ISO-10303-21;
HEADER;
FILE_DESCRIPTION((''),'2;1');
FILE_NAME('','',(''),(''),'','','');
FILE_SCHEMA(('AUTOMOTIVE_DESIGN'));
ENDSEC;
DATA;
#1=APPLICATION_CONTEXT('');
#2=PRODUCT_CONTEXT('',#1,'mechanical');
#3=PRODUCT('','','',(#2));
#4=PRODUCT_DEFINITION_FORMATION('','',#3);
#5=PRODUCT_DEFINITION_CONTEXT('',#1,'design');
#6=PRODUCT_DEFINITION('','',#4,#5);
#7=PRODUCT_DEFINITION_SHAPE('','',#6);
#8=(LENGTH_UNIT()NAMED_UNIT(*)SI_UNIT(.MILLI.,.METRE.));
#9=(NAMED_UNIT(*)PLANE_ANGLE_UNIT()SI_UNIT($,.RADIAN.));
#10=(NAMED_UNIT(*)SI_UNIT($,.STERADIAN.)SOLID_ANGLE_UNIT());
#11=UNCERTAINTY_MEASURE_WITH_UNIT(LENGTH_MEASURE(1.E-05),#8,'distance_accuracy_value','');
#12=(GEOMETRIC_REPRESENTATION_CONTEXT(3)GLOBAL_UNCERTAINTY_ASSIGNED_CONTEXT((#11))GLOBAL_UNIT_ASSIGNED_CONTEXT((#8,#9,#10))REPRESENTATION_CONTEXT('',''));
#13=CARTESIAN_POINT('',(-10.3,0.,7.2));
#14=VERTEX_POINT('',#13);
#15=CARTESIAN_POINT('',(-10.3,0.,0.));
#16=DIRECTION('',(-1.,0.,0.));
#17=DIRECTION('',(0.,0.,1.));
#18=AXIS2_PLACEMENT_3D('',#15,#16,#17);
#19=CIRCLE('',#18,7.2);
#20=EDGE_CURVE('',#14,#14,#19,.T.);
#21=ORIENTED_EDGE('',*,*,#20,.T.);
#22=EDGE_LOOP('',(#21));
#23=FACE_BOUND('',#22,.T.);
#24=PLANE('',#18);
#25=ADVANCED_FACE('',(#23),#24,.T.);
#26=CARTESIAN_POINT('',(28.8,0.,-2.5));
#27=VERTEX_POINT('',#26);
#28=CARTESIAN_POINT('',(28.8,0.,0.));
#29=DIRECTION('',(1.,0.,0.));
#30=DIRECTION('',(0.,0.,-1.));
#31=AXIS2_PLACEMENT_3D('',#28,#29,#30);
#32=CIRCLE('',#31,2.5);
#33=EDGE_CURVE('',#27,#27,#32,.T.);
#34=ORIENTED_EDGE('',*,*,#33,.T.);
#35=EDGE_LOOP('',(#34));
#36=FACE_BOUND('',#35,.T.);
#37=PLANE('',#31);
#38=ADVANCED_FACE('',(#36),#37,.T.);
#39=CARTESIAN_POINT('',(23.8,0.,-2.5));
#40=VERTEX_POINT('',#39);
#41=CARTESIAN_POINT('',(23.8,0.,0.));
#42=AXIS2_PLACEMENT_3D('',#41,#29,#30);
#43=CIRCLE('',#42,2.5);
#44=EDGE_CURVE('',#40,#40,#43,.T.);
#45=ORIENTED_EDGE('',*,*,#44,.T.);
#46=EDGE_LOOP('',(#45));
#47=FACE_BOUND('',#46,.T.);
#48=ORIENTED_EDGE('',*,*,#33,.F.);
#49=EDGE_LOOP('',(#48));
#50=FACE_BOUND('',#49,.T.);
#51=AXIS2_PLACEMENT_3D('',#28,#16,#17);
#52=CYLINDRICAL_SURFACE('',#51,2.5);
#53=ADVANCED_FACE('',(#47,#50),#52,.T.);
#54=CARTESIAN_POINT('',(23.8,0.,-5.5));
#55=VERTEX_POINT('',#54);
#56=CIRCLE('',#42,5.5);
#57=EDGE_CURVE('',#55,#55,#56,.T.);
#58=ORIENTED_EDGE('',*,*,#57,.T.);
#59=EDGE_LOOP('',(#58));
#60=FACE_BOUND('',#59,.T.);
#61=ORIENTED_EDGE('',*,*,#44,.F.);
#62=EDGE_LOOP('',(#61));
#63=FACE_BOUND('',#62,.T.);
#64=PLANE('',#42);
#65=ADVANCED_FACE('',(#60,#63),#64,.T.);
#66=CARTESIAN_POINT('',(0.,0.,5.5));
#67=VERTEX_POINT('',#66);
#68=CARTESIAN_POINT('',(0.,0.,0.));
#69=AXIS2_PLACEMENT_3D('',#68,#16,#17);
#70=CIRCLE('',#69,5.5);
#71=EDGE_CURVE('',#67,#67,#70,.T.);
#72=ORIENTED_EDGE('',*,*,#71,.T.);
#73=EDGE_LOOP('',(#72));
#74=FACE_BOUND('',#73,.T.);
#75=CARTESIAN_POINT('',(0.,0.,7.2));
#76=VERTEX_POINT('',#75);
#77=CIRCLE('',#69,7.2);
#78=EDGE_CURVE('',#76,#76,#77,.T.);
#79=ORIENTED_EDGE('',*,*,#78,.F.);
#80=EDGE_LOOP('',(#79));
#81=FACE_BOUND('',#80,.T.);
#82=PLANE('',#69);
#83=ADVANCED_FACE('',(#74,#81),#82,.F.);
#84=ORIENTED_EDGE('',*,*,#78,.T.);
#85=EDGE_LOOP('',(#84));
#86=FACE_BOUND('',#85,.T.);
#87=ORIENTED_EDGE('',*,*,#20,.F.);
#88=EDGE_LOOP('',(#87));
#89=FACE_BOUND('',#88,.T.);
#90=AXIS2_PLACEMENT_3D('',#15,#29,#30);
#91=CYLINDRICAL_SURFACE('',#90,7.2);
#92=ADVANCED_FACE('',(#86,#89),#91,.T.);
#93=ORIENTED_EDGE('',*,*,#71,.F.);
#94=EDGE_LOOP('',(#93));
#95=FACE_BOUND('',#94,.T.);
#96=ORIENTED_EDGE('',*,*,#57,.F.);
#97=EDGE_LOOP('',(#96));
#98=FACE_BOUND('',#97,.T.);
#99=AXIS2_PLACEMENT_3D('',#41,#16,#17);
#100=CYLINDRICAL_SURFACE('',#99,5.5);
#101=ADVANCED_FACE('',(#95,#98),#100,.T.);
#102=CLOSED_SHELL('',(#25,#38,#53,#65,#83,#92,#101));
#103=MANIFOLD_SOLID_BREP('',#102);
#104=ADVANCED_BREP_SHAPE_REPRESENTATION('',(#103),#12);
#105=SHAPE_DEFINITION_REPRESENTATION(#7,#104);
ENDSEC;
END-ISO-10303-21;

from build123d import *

# Parameters (mm, degrees)
SKETCH1_R           = 5.5
BOSS_EXTRUDE2_DEPTH = 23.8
SKETCH2_R           = 7.2
BOSS_EXTRUDE4_DEPTH = 10.3
SKETCH3_R           = 2.5
BOSS_EXTRUDE5_DEPTH = 5


with BuildPart() as part:
    # Sketch1 → Boss-Extrude2 (new body)
    with BuildSketch(Plane(origin=(0, 0, 0), x_dir=(0, 0, -1), z_dir=(1, 0, 0))):
        Circle(SKETCH1_R)
    extrude(amount=BOSS_EXTRUDE2_DEPTH)

    # Sketch2 → Boss-Extrude4 (add)
    with BuildSketch(Plane.ZY):
        Circle(SKETCH2_R)
    extrude(amount=BOSS_EXTRUDE4_DEPTH)

    # Sketch3 → Boss-Extrude5 (add)
    with BuildSketch(Plane(origin=(23.8, 0, 0), x_dir=(0, 0, -1), z_dir=(1, 0, 0))):
        Circle(SKETCH3_R)
    extrude(amount=BOSS_EXTRUDE5_DEPTH)


solid = part.part
